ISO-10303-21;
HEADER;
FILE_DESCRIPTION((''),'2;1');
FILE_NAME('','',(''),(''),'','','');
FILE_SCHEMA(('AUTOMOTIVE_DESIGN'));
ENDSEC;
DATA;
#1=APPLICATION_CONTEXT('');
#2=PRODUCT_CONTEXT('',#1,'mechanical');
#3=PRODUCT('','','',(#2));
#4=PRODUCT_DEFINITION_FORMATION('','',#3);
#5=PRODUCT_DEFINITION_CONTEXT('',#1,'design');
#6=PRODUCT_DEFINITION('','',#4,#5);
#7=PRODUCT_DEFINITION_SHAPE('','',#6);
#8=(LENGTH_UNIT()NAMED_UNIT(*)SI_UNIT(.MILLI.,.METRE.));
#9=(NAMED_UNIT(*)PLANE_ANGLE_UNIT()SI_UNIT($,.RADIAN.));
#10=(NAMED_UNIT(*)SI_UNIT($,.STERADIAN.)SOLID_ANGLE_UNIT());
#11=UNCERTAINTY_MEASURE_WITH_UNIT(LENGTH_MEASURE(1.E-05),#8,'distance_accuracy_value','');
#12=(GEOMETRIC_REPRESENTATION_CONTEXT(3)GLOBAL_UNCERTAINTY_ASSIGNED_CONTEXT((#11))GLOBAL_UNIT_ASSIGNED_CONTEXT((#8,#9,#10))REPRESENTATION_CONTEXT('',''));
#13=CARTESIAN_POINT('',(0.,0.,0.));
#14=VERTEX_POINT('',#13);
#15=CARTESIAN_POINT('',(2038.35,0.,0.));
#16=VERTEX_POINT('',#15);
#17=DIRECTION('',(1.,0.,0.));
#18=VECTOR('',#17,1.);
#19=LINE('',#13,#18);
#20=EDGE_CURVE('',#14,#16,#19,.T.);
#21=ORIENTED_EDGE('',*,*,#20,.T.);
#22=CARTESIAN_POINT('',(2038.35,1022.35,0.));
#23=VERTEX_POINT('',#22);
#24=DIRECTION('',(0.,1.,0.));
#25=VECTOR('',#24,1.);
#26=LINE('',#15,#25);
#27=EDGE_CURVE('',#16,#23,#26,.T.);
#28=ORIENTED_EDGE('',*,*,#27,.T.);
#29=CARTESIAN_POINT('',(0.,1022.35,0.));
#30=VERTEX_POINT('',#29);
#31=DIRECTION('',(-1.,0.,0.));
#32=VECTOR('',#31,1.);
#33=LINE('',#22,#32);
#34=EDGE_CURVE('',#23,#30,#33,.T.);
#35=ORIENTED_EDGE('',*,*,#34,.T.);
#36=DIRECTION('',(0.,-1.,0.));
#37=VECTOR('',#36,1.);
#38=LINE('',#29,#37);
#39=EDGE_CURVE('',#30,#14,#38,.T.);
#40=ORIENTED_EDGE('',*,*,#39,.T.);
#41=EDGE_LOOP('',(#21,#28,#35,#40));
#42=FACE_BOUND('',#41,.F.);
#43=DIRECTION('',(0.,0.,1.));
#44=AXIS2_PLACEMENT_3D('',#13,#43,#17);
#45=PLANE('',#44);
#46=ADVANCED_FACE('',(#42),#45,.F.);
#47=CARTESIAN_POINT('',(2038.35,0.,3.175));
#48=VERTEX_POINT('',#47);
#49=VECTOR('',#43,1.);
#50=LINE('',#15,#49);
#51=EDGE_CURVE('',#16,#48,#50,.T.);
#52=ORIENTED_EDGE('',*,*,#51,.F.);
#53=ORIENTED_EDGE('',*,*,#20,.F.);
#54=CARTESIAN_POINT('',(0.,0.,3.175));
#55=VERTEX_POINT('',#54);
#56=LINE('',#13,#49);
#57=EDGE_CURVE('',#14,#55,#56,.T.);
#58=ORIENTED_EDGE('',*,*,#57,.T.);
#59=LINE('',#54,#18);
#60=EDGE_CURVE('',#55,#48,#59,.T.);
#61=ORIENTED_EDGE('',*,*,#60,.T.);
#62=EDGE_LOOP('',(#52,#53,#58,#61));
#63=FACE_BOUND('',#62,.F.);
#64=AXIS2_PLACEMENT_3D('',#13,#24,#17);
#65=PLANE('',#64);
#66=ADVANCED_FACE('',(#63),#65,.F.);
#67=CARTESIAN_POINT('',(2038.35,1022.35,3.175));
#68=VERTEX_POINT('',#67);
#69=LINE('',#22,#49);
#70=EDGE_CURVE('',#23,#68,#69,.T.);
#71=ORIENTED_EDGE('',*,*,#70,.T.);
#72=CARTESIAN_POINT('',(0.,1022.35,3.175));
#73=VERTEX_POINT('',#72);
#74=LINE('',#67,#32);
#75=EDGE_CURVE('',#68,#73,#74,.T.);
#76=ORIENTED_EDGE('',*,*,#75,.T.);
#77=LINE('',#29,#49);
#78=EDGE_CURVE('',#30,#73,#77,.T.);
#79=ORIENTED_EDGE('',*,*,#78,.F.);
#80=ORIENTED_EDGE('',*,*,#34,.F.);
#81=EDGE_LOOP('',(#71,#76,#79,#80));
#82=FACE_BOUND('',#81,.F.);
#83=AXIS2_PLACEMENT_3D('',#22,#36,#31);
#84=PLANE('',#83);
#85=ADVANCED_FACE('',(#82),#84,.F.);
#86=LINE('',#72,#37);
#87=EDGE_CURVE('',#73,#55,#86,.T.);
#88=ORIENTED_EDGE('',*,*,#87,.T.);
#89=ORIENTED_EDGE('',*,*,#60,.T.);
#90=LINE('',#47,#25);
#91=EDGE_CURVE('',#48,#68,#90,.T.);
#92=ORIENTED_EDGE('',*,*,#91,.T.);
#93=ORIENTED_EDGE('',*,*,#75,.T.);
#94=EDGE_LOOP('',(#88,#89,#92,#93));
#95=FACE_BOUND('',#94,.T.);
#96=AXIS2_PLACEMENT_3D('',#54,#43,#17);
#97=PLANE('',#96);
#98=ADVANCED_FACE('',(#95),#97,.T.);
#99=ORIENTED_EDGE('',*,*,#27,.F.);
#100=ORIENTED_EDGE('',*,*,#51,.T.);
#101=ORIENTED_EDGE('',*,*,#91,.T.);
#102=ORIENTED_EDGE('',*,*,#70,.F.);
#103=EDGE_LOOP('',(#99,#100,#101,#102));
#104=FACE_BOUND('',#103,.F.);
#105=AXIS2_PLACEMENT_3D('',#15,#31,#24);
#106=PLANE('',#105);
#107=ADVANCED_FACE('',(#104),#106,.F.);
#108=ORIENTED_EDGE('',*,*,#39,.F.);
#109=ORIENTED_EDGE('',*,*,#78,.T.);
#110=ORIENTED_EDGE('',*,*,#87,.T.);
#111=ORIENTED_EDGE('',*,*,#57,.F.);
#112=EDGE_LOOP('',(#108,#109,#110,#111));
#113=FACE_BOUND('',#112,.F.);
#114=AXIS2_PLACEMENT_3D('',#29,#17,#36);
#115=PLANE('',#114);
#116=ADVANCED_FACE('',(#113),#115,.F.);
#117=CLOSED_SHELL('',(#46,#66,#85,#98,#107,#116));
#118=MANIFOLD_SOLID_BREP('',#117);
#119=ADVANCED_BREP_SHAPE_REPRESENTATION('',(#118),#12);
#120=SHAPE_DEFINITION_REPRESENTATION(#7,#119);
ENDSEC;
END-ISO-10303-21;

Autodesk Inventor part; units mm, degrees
ref_plane "YZ Plane" through (0, 0, 0) normal (1, 0, 0) x (0, 1, 0)
ref_plane "XZ Plane" through (0, 0, 0) normal (0, 1, 0) x (-1, 0, 0)
ref_plane "XY Plane" through (0, 0, 0) normal (0, 0, 1) x (1, 0, 0)
sketch "Sketch1" plane through (0, 0, 0) normal (0, 0, 1) x (1, 0, 0)
  line L0 (0, 0) -> (2038.35, 0)
  line L1 (2038.35, 0) -> (2038.35, 1022.35)
  line L2 (2038.35, 1022.35) -> (0, 1022.35)
  line L3 (0, 1022.35) -> (0, 0)
  dimension "d0" = 2038.35
  dimension "d1" = 1022.35
extrude "Extrusion1" add sketch "Sketch1" along normal blind 3.175
properties part number "Clear Panel"
